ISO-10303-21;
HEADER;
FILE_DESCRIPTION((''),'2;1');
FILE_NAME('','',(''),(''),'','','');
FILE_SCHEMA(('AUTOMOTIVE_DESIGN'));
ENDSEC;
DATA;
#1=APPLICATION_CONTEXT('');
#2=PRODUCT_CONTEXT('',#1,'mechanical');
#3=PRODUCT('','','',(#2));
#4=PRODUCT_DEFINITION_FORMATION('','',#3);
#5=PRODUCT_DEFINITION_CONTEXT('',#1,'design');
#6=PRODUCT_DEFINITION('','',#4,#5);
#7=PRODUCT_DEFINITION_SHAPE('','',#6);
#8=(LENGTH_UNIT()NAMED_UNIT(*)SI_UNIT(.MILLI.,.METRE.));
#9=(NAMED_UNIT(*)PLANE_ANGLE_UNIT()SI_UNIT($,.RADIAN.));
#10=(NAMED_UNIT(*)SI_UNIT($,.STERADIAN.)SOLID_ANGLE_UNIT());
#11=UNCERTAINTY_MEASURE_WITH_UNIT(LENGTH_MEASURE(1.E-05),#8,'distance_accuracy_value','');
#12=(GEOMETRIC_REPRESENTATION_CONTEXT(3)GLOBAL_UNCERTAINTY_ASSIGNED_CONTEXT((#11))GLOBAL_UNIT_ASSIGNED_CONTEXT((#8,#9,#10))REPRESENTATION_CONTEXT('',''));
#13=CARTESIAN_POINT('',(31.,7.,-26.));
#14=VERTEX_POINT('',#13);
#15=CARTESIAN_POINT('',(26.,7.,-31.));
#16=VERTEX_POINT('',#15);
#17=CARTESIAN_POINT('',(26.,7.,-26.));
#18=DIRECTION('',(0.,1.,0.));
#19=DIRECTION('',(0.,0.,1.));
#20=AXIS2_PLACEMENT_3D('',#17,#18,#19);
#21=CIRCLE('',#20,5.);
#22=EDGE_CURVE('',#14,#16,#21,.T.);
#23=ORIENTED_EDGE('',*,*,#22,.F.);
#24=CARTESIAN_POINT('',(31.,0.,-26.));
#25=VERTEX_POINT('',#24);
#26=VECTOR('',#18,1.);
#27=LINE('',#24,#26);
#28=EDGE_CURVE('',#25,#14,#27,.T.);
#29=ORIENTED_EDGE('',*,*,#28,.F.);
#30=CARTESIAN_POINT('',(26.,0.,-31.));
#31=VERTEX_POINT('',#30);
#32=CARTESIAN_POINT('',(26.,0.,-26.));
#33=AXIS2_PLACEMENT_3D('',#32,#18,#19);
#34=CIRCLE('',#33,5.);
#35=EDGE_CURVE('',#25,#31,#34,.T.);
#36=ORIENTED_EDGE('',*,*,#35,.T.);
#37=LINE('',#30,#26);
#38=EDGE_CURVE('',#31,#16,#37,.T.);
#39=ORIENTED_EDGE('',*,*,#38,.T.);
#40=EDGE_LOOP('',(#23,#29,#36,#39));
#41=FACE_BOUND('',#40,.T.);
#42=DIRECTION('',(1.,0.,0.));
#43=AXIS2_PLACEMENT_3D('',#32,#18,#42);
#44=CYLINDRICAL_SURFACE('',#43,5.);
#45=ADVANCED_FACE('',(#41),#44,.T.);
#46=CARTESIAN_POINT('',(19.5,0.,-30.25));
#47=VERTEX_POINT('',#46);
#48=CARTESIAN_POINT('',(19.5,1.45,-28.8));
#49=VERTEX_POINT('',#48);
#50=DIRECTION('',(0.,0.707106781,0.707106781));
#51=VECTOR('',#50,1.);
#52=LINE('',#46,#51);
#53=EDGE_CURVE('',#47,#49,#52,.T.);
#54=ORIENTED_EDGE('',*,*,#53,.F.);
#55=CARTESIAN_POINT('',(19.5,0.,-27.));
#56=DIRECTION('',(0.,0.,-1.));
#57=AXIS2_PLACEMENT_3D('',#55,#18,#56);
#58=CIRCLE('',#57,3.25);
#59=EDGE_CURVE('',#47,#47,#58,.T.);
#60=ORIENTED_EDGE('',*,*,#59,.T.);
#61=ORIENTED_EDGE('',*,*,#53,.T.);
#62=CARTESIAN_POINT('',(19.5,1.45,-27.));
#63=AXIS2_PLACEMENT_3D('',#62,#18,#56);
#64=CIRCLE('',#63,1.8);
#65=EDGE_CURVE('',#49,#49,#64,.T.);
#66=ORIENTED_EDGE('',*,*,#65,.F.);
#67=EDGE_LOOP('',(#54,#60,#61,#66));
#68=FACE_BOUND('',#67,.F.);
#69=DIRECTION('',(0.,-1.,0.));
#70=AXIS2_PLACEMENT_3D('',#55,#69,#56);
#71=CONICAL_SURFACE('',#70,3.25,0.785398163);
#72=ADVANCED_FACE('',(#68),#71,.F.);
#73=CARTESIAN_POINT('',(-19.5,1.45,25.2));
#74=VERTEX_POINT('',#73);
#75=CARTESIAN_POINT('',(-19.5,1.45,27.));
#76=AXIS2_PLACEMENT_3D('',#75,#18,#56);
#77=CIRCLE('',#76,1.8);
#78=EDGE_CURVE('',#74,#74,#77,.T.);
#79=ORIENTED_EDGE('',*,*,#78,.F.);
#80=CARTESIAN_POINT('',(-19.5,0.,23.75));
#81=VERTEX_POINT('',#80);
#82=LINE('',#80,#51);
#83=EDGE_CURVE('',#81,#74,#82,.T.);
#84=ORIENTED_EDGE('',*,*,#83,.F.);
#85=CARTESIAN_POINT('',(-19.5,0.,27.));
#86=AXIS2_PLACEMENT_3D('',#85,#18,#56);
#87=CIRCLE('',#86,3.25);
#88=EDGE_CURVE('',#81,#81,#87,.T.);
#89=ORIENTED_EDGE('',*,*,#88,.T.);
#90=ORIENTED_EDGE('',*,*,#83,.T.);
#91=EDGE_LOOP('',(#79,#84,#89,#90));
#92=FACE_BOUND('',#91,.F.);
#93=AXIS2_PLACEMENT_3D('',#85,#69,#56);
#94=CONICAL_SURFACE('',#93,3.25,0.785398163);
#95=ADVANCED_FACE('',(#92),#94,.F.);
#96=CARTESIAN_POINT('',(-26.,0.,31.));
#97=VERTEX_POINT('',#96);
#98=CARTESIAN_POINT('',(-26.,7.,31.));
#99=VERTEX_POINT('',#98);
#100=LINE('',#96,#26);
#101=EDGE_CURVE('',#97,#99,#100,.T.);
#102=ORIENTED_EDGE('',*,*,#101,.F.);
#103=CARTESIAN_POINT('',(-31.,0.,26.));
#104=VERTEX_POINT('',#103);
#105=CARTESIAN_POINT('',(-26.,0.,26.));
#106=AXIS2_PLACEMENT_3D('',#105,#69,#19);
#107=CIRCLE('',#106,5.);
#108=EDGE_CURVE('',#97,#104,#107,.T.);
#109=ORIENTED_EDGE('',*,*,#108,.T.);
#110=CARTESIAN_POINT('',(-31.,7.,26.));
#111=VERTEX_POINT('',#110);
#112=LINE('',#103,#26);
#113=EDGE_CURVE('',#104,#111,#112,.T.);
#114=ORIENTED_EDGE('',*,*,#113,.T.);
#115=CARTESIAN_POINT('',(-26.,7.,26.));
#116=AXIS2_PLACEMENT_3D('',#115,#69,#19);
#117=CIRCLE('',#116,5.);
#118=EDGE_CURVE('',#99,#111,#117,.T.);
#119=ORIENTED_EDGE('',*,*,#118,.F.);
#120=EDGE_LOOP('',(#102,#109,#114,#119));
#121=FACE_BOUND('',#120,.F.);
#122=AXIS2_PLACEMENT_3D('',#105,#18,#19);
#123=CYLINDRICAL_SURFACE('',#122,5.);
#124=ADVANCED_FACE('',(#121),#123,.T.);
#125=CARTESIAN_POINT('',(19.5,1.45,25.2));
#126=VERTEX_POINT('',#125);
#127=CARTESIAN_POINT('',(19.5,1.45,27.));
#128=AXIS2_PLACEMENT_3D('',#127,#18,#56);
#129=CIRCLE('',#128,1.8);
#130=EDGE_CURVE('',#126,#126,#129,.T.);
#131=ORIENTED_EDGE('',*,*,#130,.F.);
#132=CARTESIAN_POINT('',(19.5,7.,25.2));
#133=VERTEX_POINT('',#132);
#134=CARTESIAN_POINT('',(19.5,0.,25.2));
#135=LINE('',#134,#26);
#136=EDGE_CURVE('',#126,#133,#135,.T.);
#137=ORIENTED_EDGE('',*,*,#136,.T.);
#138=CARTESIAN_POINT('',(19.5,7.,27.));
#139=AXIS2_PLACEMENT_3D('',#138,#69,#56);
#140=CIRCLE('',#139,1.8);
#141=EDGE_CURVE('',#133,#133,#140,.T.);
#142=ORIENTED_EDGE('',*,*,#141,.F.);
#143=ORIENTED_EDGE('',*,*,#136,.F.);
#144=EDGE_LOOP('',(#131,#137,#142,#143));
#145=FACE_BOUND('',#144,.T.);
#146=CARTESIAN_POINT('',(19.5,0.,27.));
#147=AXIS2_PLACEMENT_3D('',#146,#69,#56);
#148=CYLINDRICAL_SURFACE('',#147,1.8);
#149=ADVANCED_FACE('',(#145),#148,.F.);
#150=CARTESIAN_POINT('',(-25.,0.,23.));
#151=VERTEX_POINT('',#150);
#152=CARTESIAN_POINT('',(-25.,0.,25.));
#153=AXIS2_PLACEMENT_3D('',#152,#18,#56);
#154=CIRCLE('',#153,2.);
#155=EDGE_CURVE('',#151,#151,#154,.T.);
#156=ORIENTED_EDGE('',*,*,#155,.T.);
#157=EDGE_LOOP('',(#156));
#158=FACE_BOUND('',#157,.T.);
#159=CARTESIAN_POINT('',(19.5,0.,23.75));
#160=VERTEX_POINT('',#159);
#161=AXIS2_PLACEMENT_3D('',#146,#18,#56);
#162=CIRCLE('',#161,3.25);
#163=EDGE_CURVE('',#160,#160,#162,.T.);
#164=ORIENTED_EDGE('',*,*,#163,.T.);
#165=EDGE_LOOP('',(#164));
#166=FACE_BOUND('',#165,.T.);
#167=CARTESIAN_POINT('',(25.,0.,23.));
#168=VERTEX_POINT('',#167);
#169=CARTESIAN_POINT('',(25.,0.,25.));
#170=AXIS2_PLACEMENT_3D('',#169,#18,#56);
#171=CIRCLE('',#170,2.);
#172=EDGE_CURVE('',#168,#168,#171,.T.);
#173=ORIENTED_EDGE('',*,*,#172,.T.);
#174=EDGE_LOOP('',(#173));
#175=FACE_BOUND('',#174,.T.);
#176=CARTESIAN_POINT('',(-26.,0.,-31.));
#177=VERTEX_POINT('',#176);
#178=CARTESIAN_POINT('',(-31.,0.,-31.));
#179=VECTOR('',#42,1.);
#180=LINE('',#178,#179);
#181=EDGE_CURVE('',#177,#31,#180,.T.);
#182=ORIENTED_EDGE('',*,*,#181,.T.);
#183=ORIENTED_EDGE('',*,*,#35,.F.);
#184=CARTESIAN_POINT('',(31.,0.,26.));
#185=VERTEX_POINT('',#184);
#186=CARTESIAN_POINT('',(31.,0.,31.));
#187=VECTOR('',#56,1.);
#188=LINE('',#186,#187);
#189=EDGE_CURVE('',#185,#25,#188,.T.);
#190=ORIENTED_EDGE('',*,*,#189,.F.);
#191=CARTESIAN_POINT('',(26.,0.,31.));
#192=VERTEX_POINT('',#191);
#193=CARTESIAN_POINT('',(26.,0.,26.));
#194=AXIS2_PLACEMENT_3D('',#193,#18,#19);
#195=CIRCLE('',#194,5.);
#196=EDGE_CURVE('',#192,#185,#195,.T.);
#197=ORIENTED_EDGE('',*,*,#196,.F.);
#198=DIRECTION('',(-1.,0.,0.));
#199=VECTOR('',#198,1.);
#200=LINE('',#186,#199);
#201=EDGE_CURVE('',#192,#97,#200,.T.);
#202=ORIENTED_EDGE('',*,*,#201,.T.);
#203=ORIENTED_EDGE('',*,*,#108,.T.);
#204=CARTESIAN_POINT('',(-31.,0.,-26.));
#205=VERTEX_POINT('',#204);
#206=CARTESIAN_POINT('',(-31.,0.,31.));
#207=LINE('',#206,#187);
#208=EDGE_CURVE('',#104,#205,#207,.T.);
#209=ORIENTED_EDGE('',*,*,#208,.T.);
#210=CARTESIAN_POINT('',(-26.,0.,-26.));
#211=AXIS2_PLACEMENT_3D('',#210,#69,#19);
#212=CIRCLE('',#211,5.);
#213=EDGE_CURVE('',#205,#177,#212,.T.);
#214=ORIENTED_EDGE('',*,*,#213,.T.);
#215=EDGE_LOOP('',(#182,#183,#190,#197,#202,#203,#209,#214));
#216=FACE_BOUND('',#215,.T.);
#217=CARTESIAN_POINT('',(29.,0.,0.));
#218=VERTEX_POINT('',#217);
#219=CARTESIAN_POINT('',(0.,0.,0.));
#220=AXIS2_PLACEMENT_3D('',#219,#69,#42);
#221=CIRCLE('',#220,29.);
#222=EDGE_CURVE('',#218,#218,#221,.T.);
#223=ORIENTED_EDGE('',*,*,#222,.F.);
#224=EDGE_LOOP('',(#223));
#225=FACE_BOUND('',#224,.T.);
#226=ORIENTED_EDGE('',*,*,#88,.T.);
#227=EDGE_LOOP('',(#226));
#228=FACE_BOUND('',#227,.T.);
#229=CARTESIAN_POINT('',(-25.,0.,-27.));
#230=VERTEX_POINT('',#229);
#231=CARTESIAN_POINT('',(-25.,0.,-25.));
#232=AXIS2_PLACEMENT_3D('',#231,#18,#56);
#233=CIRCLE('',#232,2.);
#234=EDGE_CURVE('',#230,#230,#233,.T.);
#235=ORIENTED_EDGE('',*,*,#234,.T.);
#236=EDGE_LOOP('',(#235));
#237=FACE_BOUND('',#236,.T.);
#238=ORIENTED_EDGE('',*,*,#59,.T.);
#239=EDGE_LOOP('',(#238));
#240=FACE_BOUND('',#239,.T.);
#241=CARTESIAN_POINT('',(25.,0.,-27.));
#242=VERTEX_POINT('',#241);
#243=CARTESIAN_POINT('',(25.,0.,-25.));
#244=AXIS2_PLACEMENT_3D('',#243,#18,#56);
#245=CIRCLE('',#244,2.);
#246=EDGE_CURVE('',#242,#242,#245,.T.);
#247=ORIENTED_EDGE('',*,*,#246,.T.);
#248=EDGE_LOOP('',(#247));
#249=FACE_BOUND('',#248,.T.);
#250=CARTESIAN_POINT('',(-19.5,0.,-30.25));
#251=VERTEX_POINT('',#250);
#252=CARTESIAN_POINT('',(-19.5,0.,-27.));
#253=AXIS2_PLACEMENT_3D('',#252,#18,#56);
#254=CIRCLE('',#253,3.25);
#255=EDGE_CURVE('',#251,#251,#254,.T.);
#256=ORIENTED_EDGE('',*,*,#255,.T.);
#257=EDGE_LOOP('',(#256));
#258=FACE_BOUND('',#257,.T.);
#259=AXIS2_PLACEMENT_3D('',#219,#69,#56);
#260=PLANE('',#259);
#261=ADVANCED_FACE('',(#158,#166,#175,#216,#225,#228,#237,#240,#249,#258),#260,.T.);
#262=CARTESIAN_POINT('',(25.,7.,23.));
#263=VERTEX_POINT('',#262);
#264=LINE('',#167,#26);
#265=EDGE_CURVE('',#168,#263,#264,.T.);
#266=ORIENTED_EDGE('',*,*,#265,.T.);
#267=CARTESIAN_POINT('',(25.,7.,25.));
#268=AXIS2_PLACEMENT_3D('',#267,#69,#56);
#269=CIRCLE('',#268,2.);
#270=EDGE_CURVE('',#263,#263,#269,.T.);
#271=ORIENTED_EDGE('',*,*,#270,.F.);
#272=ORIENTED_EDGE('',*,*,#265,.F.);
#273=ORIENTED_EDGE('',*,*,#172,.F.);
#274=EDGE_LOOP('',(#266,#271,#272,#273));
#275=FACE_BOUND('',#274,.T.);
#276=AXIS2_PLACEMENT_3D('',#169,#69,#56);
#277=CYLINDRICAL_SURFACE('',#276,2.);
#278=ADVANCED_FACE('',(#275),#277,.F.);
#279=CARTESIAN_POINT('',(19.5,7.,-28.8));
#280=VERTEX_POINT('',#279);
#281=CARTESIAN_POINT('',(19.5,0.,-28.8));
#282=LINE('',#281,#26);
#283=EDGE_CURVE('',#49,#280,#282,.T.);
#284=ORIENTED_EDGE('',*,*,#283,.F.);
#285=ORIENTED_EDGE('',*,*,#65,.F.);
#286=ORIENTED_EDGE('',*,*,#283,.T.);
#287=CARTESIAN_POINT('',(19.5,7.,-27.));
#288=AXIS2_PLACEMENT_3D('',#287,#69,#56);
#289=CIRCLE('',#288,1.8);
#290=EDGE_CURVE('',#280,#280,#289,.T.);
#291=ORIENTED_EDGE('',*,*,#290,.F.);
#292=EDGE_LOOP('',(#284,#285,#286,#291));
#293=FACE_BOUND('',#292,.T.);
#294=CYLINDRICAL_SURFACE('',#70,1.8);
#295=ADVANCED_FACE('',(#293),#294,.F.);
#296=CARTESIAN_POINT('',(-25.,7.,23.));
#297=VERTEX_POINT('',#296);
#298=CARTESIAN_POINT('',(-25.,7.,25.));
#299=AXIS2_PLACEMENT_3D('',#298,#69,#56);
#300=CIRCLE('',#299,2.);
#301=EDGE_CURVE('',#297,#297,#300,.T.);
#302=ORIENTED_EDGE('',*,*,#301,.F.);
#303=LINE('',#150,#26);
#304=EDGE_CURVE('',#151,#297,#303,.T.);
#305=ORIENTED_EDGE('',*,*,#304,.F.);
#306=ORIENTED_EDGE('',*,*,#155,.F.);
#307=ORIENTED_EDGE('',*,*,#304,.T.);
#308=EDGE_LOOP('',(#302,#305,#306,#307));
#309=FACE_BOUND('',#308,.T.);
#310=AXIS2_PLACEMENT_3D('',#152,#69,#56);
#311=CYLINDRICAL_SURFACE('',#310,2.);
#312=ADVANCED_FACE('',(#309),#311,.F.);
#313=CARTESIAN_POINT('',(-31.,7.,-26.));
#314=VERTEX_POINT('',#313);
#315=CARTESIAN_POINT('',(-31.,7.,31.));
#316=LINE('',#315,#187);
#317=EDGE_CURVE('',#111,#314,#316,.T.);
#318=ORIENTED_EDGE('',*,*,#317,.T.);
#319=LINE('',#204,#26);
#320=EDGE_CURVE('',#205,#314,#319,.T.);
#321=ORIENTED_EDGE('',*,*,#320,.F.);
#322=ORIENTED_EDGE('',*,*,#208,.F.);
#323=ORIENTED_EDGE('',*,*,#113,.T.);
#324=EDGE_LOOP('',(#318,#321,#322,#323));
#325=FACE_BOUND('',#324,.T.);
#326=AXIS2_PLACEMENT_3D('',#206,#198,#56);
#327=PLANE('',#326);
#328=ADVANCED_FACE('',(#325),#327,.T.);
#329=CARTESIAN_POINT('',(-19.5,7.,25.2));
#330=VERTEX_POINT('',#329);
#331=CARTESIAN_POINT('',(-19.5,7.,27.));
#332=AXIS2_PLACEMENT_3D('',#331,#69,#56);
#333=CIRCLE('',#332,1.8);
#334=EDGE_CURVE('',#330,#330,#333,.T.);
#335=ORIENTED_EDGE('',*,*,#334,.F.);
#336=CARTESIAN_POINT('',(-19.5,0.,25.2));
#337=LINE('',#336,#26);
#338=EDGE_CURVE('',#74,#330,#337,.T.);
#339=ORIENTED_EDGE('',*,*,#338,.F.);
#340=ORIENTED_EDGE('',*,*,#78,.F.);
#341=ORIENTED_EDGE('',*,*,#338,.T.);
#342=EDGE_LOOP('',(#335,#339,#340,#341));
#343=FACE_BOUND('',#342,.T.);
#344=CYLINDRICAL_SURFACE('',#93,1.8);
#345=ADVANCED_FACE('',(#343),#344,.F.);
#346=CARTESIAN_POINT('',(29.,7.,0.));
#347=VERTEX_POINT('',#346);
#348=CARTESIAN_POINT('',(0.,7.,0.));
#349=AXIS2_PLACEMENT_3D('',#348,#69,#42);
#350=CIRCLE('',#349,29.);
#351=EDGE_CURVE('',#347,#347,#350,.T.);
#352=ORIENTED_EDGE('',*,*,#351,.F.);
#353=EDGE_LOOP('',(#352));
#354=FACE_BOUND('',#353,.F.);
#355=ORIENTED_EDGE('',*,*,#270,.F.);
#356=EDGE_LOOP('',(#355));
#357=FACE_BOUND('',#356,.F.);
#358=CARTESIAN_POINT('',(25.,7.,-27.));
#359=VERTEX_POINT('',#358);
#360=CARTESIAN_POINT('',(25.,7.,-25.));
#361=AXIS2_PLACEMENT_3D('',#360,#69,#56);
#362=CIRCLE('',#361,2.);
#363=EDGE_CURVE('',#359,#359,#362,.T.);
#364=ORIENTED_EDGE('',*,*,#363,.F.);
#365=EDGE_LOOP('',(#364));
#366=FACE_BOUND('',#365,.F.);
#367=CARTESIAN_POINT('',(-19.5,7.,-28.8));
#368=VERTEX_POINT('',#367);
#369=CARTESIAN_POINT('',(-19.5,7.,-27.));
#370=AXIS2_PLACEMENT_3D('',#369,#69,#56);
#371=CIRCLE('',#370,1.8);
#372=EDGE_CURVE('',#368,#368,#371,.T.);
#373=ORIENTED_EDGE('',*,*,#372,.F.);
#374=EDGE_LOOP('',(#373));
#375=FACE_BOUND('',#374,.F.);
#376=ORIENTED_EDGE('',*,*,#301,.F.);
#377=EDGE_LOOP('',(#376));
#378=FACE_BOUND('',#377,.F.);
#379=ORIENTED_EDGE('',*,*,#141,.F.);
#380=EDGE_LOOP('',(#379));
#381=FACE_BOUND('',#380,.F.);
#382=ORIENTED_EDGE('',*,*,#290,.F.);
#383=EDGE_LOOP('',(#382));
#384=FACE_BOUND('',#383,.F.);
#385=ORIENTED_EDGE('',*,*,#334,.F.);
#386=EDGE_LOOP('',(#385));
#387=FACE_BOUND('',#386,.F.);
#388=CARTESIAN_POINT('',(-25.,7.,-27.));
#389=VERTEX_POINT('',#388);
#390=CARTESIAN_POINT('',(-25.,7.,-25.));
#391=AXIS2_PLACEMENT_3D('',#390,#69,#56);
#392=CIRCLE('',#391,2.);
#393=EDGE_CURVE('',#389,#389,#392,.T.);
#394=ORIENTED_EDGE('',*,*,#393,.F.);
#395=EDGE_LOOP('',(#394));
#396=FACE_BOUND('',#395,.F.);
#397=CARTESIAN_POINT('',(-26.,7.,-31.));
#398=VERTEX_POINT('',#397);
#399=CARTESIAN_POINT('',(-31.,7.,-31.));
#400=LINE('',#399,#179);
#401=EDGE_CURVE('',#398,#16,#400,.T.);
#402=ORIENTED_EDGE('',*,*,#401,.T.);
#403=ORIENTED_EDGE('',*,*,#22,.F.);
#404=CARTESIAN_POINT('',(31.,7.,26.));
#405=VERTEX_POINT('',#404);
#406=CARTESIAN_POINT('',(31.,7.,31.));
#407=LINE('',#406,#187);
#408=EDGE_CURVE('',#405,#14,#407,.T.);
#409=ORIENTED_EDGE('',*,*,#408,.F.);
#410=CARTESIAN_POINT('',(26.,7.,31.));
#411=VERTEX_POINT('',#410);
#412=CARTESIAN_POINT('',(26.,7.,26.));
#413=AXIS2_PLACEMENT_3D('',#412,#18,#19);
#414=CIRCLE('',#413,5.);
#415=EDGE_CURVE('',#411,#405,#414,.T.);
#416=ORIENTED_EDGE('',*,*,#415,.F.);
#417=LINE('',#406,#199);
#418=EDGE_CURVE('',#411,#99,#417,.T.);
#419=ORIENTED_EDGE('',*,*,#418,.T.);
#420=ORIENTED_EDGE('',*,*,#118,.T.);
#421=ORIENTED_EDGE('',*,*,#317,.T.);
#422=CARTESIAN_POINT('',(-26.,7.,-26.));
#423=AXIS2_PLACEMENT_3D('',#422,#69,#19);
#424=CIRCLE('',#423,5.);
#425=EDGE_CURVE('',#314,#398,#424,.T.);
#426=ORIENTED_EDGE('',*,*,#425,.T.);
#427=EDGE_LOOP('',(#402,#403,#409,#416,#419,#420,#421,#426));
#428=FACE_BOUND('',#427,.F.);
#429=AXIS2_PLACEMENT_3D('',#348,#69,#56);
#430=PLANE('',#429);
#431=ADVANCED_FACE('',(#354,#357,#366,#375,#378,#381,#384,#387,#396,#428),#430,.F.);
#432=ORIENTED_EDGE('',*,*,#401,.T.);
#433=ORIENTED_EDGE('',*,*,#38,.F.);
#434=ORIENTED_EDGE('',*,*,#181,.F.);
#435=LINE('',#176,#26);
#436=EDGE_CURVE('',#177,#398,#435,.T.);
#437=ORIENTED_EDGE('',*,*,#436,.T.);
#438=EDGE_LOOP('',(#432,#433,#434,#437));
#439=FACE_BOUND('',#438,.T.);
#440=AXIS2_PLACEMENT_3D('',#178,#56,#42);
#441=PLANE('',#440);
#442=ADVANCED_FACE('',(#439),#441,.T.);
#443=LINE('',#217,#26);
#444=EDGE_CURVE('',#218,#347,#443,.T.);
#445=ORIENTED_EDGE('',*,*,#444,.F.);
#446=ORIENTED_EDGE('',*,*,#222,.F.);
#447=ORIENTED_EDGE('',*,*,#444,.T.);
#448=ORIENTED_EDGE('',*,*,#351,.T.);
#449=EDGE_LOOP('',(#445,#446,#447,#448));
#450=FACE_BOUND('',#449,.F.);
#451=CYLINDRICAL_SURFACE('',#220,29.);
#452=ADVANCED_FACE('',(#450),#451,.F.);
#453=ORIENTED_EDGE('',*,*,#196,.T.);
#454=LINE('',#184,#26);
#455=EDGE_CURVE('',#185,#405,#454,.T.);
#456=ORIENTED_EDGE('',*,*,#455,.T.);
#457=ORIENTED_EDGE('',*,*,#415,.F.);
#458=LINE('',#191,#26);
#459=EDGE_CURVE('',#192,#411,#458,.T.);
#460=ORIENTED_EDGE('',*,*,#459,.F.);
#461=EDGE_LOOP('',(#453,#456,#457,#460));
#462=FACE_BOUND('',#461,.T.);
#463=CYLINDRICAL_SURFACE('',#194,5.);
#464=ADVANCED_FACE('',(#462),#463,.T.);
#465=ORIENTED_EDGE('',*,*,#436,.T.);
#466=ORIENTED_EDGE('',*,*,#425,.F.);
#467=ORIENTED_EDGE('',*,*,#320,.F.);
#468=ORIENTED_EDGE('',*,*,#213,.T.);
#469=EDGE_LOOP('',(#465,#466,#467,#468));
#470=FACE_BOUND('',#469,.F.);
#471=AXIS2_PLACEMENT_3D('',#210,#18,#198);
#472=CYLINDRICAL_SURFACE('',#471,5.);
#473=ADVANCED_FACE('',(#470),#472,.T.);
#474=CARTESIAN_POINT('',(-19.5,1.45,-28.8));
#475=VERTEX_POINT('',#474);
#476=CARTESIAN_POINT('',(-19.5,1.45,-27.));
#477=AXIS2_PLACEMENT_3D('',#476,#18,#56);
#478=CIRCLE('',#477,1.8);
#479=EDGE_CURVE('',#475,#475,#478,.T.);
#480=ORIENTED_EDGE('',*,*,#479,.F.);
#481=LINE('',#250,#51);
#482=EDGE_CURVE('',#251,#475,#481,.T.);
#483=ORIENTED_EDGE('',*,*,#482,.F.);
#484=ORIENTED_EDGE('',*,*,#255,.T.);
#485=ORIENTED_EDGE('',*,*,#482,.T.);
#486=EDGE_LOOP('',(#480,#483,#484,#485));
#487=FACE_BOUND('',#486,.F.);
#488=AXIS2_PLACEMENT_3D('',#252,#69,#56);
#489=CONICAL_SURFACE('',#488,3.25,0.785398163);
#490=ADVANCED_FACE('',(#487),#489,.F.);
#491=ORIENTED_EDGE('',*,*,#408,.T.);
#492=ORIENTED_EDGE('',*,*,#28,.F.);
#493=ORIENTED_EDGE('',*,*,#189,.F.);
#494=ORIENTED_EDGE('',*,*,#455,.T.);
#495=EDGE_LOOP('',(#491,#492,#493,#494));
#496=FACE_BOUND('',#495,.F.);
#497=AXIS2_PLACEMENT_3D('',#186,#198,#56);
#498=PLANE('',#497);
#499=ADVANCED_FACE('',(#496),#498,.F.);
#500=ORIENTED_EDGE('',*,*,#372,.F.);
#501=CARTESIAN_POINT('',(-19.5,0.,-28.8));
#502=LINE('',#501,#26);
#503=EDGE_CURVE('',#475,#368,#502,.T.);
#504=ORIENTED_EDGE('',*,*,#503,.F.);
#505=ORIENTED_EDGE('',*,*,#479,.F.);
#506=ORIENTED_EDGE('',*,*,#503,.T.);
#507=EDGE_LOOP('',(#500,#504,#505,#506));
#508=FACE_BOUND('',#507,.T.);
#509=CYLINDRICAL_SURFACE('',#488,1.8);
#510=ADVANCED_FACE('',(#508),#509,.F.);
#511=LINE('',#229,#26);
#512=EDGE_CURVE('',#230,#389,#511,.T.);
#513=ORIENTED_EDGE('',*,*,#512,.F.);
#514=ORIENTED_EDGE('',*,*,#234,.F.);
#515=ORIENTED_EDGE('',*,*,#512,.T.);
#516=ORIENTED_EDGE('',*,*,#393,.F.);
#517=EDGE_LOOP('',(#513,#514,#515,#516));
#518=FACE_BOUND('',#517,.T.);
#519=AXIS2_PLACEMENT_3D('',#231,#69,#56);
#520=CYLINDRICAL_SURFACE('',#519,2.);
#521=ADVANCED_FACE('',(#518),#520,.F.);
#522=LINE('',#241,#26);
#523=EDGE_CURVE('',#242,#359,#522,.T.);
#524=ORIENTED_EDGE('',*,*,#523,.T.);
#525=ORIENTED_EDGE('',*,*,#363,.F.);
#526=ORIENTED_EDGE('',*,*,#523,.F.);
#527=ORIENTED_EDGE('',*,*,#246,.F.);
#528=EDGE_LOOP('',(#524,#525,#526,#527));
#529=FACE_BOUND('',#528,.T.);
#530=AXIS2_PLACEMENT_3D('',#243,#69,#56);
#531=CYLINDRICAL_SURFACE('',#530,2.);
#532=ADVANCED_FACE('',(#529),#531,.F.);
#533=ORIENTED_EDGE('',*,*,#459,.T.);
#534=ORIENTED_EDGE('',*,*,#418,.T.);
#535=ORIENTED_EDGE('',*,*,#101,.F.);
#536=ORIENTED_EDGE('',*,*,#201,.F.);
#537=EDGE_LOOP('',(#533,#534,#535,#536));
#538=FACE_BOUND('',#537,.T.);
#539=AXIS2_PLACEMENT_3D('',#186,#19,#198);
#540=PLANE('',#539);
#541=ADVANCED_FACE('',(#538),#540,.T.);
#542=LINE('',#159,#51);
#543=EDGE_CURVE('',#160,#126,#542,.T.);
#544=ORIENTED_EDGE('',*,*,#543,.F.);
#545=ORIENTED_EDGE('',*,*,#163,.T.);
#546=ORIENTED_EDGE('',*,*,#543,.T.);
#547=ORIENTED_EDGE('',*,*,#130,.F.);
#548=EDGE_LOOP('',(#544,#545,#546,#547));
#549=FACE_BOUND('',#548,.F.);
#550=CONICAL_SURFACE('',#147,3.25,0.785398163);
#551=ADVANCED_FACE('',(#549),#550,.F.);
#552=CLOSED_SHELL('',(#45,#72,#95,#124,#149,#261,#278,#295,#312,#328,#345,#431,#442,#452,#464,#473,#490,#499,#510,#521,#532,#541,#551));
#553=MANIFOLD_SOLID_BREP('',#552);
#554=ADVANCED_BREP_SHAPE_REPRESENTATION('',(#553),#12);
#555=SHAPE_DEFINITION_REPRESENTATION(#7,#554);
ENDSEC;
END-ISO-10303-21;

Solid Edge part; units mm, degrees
sketch "Sketch1" plane through (0, 0, 0) normal (0, -1, 0) x (1, 0, 0)
  circle A0 centre (0, 0) radius 29
  line L0 (31, 31) -> (-31, 31)
  line L1 (-31, 31) -> (-31, -31)
  line L2 (-31, -31) -> (31, -31)
  line L3 (31, 31) -> (31, -31)
  dimension "D1" = 62
  dimension "D2" = 58
  dimension "D3" = 62
  dimension "D4" = 31
  dimension "D5" = 31
extrude "Protrusion1" add sketch "Sketch1" against normal blind 7
hole "Bohrung_17" at (-25, 0, 25) direction (0, 1, 0) diameter 4 end up to next
hole "Hole1" at (25, 0, 25) direction (0, 1, 0) diameter 4 end up to next
hole "Hole2" at (25, 0, -25) direction (0, 1, 0) diameter 4 end up to next
hole "Hole3" at (-25, 0, -25) direction (0, 1, 0) diameter 4 end up to next
hole "Bohrung_21" at (-19.5, 0, 27) direction (0, 1, 0) diameter 3.6 end up to next countersink diameter 6.5 countersink angle 90
hole "Hole4" at (19.5, 0, 27) direction (0, 1, 0) diameter 3.6 end up to next countersink diameter 6.5 countersink angle 90
hole "Hole5" at (19.5, 0, -27) direction (0, 1, 0) diameter 3.6 end up to next countersink diameter 6.5 countersink angle 90
hole "Hole6" at (-19.5, 0, -27) direction (0, 1, 0) diameter 3.6 end up to next countersink diameter 6.5 countersink angle 90
fillet "Verrundung_1" radius 5 4 edges at (31, 3.5, -31) (-31, 3.5, -31) (-31, 3.5, 31) (31, 3.5, 31)
properties part number "42" material "Polyacticacid"
